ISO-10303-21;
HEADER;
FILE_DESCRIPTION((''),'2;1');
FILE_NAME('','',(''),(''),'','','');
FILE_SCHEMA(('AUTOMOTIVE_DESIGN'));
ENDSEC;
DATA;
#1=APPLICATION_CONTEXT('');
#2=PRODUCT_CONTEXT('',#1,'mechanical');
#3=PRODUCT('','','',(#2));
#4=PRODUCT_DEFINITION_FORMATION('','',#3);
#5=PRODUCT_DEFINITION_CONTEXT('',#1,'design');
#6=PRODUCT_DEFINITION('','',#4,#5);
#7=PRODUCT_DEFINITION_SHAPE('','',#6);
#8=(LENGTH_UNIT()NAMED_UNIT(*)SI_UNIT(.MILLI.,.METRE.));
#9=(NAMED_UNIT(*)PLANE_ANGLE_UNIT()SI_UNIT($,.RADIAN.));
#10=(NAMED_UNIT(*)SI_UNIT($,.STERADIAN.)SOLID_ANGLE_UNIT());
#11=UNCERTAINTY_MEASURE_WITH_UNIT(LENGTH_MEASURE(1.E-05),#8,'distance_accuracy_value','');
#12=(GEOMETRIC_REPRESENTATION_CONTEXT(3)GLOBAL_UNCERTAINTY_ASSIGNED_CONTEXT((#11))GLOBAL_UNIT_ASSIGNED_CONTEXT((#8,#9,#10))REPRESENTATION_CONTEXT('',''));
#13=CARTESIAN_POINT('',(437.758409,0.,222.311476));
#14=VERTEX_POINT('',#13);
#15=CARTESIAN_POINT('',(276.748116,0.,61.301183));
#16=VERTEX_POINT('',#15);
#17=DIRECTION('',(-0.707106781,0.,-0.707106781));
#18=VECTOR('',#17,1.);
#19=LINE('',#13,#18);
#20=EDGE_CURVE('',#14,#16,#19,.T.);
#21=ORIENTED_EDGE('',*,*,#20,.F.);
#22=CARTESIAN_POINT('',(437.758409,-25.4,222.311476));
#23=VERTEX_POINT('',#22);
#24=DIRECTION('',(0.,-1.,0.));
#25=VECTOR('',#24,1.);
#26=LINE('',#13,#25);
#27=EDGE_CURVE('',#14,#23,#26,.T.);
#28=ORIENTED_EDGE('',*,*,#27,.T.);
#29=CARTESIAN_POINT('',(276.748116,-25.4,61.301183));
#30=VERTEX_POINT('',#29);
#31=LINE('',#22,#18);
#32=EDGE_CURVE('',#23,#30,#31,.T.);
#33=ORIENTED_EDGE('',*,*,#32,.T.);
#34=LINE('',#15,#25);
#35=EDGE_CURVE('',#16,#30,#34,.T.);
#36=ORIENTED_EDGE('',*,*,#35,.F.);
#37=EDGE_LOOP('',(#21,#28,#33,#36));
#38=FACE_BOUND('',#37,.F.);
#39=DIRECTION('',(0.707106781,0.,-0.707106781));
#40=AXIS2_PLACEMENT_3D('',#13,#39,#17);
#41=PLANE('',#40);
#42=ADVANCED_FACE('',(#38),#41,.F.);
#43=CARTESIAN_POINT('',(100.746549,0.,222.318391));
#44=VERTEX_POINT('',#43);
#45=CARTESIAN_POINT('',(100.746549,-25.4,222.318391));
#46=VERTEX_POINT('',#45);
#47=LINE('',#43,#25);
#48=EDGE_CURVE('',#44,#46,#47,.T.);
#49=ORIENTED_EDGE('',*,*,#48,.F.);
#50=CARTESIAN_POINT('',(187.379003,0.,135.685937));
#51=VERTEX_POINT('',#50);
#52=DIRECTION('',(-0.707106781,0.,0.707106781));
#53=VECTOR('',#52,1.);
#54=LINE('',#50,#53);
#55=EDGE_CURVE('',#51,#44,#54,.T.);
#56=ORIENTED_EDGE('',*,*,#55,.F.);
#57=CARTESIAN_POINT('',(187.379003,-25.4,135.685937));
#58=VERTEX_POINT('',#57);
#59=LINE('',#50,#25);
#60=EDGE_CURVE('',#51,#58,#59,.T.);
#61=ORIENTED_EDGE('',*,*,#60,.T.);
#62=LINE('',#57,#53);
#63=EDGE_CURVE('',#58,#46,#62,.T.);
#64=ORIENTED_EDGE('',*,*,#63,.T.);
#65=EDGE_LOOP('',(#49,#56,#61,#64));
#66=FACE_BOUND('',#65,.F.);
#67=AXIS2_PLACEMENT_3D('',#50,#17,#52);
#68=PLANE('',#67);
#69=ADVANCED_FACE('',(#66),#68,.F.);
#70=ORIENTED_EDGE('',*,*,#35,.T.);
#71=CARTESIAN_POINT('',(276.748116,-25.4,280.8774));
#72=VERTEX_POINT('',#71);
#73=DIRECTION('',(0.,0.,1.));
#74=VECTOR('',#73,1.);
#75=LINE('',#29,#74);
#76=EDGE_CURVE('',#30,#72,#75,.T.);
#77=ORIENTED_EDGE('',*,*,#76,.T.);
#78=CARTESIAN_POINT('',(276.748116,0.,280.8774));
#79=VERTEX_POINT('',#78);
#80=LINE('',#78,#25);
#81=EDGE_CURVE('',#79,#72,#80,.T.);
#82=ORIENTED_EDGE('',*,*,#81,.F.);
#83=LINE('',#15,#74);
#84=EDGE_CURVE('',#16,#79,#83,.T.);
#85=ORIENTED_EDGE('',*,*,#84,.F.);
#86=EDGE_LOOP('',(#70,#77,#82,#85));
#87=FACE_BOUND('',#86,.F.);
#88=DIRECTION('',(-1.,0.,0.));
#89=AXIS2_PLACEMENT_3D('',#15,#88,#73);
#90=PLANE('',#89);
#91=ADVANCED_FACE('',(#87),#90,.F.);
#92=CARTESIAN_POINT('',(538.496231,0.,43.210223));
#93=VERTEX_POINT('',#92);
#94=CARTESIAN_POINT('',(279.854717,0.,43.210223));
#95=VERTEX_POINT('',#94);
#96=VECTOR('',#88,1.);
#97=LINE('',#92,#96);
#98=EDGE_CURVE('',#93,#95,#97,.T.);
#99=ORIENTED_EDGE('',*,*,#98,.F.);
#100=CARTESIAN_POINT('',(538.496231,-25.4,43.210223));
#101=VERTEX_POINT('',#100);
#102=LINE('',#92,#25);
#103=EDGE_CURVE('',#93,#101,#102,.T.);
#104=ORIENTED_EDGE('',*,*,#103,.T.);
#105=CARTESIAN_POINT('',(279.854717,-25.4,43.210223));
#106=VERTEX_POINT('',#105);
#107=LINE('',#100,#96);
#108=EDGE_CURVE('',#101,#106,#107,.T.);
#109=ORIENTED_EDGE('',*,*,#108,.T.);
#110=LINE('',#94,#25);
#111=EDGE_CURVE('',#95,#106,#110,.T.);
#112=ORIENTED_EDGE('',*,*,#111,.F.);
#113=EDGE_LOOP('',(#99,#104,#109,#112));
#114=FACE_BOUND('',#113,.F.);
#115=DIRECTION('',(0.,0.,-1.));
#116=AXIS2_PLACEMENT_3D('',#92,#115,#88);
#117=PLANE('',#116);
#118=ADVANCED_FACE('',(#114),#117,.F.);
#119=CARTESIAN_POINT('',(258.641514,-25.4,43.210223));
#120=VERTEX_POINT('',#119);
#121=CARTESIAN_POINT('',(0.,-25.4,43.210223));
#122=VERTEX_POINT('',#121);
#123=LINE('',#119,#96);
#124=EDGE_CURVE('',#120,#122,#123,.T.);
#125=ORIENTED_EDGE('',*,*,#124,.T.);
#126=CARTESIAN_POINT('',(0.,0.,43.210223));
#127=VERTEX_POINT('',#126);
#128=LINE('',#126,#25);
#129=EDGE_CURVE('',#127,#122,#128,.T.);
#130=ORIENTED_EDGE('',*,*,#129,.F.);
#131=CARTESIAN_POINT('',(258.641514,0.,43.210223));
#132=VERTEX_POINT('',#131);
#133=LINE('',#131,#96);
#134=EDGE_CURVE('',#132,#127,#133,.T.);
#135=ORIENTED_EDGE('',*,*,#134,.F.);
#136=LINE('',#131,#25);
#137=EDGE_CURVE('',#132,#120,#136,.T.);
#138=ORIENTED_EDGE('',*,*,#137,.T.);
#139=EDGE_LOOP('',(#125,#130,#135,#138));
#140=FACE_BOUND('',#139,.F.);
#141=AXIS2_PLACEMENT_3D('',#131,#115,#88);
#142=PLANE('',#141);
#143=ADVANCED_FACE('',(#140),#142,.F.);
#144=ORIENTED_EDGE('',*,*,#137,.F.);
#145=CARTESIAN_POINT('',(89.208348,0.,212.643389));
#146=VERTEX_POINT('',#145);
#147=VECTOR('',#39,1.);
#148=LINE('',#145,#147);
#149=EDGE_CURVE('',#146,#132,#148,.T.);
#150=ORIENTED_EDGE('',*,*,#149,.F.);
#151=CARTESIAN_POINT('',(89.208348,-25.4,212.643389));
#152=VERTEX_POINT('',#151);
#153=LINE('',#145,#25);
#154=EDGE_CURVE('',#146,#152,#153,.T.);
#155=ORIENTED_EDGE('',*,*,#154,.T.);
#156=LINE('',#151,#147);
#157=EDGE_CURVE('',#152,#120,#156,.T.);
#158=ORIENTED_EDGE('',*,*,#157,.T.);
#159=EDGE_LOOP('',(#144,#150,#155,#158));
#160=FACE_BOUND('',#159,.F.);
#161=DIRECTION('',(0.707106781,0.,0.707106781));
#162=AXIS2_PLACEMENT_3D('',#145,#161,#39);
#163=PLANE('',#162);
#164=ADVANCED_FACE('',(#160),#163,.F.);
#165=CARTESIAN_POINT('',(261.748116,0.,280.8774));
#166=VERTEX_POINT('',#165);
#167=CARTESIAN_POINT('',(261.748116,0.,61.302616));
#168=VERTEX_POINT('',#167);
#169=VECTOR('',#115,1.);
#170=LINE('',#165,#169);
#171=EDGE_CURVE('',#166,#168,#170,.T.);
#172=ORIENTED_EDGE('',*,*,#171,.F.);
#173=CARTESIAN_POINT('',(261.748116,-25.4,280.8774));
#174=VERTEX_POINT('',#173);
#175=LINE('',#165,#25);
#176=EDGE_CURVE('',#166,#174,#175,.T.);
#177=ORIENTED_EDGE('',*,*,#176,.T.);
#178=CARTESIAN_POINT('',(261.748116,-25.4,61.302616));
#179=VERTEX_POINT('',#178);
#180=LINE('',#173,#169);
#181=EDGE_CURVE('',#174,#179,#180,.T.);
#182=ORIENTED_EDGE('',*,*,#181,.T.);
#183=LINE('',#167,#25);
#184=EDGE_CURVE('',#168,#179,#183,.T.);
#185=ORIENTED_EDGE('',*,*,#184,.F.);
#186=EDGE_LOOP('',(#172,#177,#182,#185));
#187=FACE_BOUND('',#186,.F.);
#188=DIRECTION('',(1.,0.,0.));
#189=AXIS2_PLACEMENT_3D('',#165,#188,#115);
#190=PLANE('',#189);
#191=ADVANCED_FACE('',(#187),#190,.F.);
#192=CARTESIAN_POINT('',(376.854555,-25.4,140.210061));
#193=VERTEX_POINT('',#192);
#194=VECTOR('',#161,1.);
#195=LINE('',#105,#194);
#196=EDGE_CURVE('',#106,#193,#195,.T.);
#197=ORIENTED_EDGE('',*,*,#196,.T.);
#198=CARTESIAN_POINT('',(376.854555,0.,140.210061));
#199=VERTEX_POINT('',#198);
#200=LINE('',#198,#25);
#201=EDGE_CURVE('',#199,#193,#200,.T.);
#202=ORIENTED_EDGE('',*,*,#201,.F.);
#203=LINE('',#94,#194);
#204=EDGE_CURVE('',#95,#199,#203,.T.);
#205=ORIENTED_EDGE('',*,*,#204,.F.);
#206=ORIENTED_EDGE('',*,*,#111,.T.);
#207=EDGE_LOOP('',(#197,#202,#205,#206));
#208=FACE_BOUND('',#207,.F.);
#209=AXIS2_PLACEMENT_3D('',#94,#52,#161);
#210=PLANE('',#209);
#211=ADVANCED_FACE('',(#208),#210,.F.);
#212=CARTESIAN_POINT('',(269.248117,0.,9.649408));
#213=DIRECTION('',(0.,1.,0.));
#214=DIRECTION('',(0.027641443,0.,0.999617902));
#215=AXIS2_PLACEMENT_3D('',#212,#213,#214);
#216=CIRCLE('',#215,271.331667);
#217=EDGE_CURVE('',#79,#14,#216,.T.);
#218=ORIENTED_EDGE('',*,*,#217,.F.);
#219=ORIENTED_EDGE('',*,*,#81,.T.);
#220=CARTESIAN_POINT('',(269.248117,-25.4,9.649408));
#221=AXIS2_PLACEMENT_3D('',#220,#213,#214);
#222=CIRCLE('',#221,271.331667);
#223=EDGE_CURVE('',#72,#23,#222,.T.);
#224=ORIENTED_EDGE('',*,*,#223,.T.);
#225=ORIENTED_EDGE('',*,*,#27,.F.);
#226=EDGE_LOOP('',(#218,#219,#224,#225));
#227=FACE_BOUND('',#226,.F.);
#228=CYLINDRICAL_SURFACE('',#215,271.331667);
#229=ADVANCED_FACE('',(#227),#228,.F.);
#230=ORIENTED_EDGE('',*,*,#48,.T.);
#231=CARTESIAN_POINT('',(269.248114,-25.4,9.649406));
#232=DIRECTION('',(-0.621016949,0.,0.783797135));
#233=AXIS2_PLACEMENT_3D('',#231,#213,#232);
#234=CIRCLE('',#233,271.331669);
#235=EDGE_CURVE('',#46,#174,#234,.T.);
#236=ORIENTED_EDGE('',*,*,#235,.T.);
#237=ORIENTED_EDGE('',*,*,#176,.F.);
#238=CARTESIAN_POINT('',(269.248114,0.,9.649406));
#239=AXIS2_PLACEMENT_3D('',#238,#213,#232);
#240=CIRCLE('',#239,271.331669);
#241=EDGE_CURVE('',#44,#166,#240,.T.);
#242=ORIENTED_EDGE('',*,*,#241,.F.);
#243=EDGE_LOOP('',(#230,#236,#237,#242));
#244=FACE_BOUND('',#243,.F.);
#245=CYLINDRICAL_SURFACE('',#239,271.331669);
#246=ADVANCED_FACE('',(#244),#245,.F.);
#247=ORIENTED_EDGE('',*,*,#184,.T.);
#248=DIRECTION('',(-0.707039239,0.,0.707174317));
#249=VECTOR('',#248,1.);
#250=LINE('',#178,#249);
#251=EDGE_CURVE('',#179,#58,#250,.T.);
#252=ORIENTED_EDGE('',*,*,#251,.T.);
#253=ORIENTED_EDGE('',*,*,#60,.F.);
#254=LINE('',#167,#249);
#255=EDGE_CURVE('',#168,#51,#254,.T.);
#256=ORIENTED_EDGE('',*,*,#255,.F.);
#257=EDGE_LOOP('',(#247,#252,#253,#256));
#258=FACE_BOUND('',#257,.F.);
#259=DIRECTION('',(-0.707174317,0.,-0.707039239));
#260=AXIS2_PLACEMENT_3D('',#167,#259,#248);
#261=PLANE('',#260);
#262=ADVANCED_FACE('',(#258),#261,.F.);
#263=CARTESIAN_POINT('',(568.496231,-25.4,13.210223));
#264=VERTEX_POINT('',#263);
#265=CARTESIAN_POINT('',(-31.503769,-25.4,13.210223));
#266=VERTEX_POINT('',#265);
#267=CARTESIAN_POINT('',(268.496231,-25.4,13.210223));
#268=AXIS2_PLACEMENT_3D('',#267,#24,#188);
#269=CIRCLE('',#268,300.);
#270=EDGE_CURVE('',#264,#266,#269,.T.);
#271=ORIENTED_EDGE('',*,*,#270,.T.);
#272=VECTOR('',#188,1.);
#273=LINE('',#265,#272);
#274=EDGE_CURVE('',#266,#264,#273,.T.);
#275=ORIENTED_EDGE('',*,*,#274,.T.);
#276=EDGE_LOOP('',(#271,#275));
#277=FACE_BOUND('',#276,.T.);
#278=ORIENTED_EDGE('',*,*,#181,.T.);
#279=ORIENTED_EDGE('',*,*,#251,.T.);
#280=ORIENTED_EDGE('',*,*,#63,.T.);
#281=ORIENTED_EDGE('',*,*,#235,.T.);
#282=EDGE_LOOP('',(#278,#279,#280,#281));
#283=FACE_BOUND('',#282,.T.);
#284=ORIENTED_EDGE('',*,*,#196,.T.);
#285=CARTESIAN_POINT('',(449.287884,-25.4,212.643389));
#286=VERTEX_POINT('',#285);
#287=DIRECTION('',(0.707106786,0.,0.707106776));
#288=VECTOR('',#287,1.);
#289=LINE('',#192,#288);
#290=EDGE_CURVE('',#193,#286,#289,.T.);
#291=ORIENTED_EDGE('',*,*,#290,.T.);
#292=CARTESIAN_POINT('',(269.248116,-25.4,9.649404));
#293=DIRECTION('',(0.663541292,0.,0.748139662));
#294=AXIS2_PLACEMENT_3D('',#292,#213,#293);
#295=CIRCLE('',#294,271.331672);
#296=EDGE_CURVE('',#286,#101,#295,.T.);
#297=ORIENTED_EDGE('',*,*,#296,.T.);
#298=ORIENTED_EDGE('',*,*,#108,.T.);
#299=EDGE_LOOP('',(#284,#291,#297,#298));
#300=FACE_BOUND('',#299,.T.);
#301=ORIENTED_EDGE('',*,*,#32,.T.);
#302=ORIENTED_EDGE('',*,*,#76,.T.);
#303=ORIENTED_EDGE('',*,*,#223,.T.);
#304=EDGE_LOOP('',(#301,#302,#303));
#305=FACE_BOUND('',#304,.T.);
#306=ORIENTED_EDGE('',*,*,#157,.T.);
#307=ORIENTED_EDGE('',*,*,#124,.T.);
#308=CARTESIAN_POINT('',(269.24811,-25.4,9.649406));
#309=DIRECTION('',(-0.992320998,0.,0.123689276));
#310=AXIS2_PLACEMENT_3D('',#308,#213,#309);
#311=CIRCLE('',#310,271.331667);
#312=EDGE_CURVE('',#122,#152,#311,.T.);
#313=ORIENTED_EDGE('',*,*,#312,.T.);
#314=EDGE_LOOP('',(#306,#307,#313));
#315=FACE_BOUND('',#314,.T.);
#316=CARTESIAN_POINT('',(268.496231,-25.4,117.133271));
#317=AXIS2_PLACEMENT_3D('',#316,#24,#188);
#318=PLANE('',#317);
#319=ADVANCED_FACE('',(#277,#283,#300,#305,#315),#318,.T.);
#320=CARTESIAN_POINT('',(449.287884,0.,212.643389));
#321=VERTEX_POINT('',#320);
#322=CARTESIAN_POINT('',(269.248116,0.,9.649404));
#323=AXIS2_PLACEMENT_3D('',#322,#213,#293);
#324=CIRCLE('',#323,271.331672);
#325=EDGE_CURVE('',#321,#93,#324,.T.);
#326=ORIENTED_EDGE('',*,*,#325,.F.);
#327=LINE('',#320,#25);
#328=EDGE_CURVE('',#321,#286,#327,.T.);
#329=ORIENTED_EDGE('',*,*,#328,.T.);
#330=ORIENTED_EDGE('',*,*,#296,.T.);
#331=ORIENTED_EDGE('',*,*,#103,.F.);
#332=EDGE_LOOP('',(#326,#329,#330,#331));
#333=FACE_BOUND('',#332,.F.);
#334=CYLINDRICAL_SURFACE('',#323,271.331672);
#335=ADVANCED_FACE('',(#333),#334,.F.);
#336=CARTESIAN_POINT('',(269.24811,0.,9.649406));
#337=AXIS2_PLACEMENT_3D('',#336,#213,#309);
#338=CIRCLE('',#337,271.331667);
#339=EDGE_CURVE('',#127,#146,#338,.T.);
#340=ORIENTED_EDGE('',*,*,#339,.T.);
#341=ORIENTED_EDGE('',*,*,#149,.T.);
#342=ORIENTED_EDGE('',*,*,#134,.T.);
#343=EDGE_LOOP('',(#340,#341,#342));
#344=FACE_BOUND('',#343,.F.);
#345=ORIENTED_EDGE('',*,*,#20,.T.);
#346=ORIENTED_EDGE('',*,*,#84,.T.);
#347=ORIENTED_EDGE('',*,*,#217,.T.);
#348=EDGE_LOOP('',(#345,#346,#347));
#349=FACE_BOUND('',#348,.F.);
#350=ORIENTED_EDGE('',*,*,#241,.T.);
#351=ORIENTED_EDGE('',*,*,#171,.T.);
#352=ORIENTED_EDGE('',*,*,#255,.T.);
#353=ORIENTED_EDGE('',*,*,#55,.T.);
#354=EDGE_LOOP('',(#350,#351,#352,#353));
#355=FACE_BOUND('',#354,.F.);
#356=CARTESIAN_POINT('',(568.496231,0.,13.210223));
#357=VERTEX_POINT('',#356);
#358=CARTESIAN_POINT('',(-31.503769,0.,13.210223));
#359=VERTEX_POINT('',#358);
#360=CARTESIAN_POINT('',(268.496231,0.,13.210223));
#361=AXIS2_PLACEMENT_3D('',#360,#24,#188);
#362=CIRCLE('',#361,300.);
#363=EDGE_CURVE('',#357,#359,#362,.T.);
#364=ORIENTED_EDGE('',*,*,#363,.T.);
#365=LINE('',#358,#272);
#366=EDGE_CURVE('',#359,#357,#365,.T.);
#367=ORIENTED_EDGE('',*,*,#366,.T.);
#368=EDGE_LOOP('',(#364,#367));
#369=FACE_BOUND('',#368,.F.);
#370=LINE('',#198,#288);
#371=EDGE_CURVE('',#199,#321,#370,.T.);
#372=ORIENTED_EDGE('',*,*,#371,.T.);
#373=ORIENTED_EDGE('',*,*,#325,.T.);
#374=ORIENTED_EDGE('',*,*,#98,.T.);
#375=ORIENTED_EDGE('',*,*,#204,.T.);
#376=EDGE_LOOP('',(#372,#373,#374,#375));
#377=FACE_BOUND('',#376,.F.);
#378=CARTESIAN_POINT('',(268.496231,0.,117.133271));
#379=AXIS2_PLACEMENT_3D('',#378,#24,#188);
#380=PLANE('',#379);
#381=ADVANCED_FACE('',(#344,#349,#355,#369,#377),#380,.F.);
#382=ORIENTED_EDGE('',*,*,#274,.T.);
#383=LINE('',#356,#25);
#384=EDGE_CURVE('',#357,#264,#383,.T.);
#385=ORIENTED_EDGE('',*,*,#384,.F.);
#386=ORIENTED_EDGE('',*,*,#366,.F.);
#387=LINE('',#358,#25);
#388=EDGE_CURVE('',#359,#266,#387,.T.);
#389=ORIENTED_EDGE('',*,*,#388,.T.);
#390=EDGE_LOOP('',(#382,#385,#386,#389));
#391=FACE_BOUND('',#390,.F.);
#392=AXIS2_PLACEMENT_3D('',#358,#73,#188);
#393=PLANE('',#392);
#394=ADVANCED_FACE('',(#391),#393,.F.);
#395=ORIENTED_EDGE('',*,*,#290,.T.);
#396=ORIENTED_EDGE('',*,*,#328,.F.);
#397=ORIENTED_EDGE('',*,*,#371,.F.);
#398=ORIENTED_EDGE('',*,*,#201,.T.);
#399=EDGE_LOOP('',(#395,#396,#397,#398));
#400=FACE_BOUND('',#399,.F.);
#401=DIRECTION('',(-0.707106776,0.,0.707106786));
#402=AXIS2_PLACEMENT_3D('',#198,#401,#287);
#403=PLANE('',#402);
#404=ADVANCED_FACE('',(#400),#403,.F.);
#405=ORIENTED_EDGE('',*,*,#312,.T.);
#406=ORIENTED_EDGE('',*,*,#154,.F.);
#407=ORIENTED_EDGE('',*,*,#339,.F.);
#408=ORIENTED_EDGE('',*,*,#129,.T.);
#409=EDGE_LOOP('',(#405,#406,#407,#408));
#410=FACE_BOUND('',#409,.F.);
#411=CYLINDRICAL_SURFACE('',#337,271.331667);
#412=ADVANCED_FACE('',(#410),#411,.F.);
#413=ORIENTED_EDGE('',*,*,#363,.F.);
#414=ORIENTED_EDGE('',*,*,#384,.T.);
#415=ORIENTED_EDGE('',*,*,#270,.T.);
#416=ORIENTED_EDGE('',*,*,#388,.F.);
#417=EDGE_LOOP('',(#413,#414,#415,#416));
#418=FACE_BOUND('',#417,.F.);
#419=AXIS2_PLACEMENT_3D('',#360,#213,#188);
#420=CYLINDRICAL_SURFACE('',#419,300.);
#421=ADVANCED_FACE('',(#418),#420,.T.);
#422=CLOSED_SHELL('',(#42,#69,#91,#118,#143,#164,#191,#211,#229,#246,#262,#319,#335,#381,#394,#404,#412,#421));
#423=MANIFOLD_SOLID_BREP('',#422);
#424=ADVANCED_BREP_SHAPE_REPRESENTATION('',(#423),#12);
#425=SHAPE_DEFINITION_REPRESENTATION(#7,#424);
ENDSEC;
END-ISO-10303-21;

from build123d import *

# Parameters (mm, degrees)
F1_DEPTH = 25.4


with BuildPart() as f1:
    # F0 (on Front) → F1 (new body)
    with BuildSketch(Plane.XZ):
        with BuildLine():
            ThreePointArc((568.496231, 13.210223), (268.496231, 313.210223), (-31.503769, 13.210223))
            Line((-31.503769, 13.210223), (0, 13.210223))
            Line((0, 13.210223), (568.496231, 13.210223))
        make_face()
        with BuildLine():
            Line((258.641514, 43.210223), (0, 43.210223))
            ThreePointArc((0, 43.210223), (29.161048, 136.057775), (89.208348, 212.643389))
            Line((89.208348, 212.643389), (176.772401, 125.079336))
            Line((176.772401, 125.079336), (258.641514, 43.210223))
        make_face(mode=Mode.SUBTRACT)
        with BuildLine():
            ThreePointArc((449.287884, 212.643389), (509.335183, 136.057775), (538.496231, 43.210223))
            Line((538.496231, 43.210223), (279.854717, 43.210223))
            Line((279.854717, 43.210223), (376.854555, 140.210061))
            Line((376.854555, 140.210061), (449.287884, 212.643389))
        make_face(mode=Mode.SUBTRACT)
        with BuildLine():
            Line((261.748116, 162.095649), (261.748116, 61.302616))
            Line((261.748116, 61.302616), (187.379003, 135.685937))
            Line((187.379003, 135.685937), (100.746549, 222.318391))
            ThreePointArc((100.746549, 222.318391), (176.504236, 264.638519), (261.748116, 280.8774))
            Line((261.748116, 280.8774), (261.748116, 162.095649))
        make_face(mode=Mode.SUBTRACT)
        with BuildLine():
            ThreePointArc((276.748116, 280.8774), (361.997227, 264.636616), (437.758409, 222.311476))
            Line((437.758409, 222.311476), (366.663021, 151.216088))
            Line((366.663021, 151.216088), (276.748116, 61.301183))
            Line((276.748116, 61.301183), (276.748116, 162.095649))
            Line((276.748116, 162.095649), (276.748116, 280.8774))
        make_face(mode=Mode.SUBTRACT)
    extrude(amount=F1_DEPTH)


solid = f1.part
